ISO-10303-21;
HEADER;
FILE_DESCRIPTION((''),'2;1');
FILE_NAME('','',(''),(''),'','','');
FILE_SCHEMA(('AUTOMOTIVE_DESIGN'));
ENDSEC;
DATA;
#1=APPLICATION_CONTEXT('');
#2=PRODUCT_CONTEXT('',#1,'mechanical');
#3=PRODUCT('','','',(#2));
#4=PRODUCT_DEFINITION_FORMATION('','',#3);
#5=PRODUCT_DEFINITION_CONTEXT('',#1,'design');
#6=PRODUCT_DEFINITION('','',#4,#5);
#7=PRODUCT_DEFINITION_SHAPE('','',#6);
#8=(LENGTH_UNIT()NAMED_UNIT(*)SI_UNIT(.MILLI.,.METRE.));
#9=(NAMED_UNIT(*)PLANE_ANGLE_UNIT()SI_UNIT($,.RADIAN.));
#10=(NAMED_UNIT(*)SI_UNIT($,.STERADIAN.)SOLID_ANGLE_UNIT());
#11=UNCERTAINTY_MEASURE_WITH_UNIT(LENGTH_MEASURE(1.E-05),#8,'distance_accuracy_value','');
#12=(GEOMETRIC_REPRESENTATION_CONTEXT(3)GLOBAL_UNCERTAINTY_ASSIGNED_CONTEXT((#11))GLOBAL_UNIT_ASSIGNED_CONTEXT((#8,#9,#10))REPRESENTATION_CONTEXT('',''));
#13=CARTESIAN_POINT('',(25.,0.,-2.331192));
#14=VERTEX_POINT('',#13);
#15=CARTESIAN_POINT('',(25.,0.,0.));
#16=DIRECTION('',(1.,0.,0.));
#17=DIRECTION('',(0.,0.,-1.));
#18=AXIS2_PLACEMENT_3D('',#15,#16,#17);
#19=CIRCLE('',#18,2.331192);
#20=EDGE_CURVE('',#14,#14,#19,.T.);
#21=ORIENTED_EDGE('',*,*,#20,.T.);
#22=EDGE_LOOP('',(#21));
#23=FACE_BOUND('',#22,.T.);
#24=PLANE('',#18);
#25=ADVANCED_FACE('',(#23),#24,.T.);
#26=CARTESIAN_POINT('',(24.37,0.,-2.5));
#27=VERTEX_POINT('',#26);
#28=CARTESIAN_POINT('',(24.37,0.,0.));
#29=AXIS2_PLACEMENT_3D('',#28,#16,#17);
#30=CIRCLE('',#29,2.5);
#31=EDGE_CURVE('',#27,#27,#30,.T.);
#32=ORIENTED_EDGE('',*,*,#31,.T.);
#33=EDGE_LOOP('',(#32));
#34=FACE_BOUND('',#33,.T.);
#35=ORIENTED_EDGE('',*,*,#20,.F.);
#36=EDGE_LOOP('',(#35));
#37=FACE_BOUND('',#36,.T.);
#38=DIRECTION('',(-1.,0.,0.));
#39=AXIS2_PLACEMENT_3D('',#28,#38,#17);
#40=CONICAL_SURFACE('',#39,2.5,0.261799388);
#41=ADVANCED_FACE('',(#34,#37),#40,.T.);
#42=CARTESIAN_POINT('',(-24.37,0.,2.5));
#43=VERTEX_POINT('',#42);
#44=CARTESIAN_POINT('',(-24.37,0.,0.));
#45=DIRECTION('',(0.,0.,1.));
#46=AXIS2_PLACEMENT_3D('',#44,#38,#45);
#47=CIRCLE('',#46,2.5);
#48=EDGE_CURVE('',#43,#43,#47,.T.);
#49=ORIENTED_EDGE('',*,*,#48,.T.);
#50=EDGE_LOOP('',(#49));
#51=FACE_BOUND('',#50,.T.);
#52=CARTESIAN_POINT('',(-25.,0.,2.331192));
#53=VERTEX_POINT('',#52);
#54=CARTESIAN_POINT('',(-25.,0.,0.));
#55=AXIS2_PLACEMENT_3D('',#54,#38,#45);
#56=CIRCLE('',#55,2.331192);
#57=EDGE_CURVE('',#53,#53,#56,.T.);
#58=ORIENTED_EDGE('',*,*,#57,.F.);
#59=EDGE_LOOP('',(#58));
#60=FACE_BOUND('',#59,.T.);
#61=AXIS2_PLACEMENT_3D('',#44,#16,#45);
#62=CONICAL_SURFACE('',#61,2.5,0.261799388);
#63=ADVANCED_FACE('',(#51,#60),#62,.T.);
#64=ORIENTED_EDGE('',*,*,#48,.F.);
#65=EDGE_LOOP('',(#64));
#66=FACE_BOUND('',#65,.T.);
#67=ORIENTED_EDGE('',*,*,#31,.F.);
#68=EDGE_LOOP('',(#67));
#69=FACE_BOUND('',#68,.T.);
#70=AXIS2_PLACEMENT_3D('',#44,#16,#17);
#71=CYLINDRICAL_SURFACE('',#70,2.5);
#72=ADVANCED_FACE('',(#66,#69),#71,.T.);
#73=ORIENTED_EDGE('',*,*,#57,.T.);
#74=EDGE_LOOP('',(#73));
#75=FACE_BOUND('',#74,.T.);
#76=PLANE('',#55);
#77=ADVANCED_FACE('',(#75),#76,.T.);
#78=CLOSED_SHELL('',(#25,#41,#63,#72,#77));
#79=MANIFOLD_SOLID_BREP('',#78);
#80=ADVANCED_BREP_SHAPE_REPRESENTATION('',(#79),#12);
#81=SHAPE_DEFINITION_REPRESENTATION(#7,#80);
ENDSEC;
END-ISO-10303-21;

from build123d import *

# Parameters (mm, degrees)
EXTRUDE1_DEPTH      = 24.37
EXTRUDE1_DEPTH_BACK = 24.37
SKETCH2_R           = 2.5
SKETCH3_R           = 2.5
EXTRUDE2_DEPTH      = 0.63
EXTRUDE2_TAPER      = 15
SKETCH4_R           = 2.5
EXTRUDE3_DEPTH      = 0.63
EXTRUDE3_TAPER      = 15


with BuildPart() as part:
    # Sketch2 → Extrude1 (new, two sides: drawn at the far end of the back side and taken through both)
    with BuildSketch(Plane(origin=(0, 0, 0), x_dir=(0, 0, -1), z_dir=(1, 0, 0)).offset(-EXTRUDE1_DEPTH_BACK)):
        Circle(SKETCH2_R)
    extrude(amount=EXTRUDE1_DEPTH + EXTRUDE1_DEPTH_BACK)

    # Sketch3 → Extrude2 (add)
    with BuildSketch(Plane(origin=(24.37, 0, 0), x_dir=(0, 0, -1), z_dir=(1, 0, 0))):
        Circle(SKETCH3_R)
    extrude(amount=EXTRUDE2_DEPTH, taper=EXTRUDE2_TAPER)

    # Sketch4 → Extrude3 (add)
    with BuildSketch(Plane.ZY.offset(24.37)):
        with Locations(Location((0, 0, 0), (0, 0, 180))):
            Circle(SKETCH4_R)
    extrude(amount=EXTRUDE3_DEPTH, taper=EXTRUDE3_TAPER)


solid = part.part
